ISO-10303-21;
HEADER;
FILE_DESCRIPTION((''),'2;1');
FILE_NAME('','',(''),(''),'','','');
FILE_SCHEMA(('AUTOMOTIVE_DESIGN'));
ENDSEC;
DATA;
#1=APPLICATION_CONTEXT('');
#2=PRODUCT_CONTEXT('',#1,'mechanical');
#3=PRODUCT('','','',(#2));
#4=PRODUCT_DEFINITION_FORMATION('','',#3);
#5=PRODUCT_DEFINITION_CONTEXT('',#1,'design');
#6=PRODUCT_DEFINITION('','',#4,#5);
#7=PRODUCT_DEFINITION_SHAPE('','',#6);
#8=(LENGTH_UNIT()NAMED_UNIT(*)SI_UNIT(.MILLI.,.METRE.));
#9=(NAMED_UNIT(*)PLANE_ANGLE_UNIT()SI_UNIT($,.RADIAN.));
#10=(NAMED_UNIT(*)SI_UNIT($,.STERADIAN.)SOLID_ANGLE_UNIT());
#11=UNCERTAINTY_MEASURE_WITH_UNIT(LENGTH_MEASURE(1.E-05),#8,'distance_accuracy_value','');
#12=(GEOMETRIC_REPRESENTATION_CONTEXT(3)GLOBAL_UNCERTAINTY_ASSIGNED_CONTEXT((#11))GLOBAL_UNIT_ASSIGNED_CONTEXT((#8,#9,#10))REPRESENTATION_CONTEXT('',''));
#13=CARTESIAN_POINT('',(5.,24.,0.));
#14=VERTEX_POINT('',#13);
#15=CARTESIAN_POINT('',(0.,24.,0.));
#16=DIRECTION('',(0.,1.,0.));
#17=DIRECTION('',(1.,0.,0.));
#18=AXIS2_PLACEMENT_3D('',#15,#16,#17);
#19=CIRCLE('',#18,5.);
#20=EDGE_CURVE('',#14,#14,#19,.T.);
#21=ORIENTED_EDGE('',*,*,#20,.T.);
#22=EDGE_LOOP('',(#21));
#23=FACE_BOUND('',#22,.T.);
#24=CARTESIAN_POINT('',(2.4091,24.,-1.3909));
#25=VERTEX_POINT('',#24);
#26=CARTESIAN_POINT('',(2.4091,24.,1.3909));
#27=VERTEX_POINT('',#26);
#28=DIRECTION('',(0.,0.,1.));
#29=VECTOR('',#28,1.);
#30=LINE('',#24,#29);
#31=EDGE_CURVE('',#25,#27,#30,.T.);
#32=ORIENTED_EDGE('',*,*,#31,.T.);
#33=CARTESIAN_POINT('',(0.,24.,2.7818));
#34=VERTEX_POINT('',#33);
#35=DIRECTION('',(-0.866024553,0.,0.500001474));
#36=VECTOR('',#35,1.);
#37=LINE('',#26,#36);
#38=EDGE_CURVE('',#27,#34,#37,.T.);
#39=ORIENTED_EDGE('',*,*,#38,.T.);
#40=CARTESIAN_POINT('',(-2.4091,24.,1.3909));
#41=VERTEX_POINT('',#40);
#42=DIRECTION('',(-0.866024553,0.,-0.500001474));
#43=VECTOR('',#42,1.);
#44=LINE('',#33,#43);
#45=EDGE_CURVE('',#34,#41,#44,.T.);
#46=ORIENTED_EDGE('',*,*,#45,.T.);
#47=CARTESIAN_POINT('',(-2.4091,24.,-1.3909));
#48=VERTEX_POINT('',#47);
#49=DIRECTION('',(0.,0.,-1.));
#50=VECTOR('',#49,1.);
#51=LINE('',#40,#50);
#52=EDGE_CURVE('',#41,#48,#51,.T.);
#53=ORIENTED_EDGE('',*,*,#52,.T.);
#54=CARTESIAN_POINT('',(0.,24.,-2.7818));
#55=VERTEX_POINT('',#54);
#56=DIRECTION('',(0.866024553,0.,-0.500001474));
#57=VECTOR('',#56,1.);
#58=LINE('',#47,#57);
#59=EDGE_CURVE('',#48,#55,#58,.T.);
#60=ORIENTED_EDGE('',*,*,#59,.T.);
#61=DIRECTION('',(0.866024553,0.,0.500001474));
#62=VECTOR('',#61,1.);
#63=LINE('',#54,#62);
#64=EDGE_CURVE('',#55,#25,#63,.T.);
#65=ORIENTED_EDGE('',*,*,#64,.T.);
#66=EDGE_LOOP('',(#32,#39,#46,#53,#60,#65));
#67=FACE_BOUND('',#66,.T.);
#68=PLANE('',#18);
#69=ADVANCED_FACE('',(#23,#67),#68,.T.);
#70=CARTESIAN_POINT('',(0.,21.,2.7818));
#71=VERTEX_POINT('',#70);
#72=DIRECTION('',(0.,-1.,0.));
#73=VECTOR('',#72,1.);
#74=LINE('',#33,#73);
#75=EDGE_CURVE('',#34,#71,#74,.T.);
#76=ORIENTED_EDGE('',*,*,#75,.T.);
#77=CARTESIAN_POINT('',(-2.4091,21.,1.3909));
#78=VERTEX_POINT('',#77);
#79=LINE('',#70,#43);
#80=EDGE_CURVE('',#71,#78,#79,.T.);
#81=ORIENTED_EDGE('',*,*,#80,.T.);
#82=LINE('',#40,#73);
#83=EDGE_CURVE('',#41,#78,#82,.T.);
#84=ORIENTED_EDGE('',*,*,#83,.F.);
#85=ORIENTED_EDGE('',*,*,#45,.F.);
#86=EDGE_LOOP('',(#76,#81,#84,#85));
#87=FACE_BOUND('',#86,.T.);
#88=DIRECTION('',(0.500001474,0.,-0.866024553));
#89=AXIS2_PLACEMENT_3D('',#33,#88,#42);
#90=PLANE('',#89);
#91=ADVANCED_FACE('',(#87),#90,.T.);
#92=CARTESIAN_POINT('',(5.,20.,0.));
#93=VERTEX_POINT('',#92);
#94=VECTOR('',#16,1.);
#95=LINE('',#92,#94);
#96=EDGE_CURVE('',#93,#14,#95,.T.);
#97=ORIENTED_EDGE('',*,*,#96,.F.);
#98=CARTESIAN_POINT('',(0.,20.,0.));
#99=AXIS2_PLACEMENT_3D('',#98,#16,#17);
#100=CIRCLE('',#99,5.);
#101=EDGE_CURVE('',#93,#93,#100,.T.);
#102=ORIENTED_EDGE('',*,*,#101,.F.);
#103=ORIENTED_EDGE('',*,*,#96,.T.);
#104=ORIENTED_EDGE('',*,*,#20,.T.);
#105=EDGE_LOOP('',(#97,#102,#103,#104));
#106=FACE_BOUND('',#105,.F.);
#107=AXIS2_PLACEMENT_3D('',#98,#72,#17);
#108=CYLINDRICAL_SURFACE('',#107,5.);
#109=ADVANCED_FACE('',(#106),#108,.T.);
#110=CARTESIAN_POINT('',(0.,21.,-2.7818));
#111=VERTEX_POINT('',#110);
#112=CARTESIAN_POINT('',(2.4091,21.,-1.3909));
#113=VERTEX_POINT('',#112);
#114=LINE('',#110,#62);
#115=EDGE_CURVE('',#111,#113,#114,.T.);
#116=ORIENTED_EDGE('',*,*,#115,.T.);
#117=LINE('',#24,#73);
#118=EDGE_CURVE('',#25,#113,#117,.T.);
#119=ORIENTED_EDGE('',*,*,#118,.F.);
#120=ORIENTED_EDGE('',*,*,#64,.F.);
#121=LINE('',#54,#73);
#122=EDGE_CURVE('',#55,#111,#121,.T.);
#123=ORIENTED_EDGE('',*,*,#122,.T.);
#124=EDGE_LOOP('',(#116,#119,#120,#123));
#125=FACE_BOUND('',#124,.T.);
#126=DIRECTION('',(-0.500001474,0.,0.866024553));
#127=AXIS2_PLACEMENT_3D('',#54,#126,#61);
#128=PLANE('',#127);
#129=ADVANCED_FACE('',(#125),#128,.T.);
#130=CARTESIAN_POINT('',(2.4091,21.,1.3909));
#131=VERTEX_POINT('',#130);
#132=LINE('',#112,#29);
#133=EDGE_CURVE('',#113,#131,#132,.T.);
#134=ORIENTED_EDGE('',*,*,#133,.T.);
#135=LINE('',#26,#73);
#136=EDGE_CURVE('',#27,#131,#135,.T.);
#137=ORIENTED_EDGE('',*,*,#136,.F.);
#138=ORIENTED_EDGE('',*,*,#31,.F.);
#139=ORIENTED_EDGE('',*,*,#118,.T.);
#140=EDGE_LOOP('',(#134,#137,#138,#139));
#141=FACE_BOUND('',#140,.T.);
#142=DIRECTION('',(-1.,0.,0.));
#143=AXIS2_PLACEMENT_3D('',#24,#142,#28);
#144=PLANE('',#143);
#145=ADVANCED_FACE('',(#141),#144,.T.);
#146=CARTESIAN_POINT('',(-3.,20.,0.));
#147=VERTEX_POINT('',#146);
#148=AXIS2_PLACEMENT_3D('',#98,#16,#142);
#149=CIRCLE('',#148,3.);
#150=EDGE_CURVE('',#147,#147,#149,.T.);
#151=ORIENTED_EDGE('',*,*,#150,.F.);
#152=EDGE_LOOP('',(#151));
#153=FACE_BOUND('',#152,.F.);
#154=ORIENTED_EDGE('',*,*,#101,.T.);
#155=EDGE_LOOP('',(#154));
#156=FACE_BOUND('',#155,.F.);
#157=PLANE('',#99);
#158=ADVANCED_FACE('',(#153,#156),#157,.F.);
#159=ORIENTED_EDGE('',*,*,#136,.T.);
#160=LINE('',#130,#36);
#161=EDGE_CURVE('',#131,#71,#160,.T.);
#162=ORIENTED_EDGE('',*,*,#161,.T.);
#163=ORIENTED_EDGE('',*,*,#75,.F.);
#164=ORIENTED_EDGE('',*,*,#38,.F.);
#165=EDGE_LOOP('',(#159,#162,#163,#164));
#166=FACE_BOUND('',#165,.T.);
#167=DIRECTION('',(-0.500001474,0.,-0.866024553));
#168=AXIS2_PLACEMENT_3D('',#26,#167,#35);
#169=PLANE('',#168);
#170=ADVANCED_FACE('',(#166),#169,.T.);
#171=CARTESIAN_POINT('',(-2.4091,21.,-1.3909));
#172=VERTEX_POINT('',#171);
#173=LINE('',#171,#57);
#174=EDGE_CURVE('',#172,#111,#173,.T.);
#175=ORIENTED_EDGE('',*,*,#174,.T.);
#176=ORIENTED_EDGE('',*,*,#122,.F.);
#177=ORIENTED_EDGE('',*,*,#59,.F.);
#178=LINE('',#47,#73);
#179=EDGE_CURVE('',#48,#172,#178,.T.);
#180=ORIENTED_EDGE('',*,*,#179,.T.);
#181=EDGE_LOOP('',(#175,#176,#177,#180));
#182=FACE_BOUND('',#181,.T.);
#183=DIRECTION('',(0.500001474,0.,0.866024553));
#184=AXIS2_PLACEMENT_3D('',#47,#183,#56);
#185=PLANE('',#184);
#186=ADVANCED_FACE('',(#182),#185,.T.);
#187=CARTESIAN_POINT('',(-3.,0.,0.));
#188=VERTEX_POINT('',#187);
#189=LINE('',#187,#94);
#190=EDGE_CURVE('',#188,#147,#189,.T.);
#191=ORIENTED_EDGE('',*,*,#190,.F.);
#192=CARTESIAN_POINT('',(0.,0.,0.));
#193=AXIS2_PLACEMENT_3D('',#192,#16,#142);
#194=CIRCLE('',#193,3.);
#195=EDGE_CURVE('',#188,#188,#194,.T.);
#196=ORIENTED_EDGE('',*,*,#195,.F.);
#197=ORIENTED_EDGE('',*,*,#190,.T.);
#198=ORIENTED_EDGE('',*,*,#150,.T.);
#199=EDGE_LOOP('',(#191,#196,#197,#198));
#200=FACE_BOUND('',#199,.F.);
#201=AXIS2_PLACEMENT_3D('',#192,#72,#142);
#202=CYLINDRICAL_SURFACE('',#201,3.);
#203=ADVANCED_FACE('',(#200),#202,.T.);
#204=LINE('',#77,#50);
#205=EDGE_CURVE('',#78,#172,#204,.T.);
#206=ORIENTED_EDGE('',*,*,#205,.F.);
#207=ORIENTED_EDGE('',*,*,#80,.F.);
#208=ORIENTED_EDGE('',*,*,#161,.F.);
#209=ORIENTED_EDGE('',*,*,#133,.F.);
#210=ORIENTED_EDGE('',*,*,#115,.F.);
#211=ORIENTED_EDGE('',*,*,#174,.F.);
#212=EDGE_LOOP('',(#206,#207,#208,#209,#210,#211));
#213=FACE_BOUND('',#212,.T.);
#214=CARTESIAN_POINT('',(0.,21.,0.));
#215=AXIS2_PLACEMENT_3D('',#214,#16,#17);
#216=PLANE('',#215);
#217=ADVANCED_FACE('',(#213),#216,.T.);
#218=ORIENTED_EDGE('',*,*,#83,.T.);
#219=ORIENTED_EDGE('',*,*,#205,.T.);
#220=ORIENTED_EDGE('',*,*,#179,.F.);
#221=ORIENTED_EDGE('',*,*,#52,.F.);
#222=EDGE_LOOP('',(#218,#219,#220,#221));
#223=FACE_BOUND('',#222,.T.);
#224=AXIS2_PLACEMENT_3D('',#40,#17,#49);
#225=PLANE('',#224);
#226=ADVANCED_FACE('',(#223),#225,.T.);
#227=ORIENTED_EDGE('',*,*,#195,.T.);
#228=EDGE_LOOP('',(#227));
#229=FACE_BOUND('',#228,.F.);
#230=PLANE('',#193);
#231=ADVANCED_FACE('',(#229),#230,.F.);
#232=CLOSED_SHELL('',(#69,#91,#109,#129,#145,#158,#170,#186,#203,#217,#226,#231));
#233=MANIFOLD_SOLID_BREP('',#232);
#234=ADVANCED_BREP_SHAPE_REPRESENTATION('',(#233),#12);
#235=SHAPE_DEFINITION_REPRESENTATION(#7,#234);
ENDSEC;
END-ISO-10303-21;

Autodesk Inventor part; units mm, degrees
ref_plane "YZ Plane" through (0, 0, 0) normal (1, 0, 0) x (0, 1, 0)
ref_plane "XZ Plane" through (0, 0, 0) normal (0, 1, 0) x (-1, 0, 0)
ref_plane "XY Plane" through (0, 0, 0) normal (0, 0, 1) x (1, 0, 0)
sketch "草圖1" plane through (0, 0, 0) normal (0, 1, 0) x (-1, 0, 0)
  circle A0 centre (0, 0) radius 3
  dimension "d0" = 6
extrude "擠出1" add sketch "草圖1" along normal blind 20
thread "螺紋1" size "M6x1" class "6g" standard "ANSI Metric M Profile" full length
sketch "草圖2" plane through (0, 20, 0) normal (0, 1, 0) x (1, 0, 0)
  circle A0 centre (0, 0) radius 5
  dimension "d5" = 10
extrude "擠出2" add sketch "草圖2" along normal blind 4
sketch "草圖3" plane through (0, 24, 0) normal (0, 1, 0) x (1, 0, 0)
  line L0 (0, 2.7818) -> (2.4091, 1.3909)
  line L1 (2.4091, 1.3909) -> (2.4091, -1.3909)
  line L2 (2.4091, -1.3909) -> (0, -2.7818)
  line L3 (0, -2.7818) -> (-2.4091, -1.3909)
  line L4 (-2.4091, -1.3909) -> (-2.4091, 1.3909)
  line L5 (-2.4091, 1.3909) -> (0, 2.7818)
  point P0 (0, 0)
  point P1 (0, 0)
extrude "擠出3" cut sketch "草圖3" against normal blind 3
properties part number "M6screw"
